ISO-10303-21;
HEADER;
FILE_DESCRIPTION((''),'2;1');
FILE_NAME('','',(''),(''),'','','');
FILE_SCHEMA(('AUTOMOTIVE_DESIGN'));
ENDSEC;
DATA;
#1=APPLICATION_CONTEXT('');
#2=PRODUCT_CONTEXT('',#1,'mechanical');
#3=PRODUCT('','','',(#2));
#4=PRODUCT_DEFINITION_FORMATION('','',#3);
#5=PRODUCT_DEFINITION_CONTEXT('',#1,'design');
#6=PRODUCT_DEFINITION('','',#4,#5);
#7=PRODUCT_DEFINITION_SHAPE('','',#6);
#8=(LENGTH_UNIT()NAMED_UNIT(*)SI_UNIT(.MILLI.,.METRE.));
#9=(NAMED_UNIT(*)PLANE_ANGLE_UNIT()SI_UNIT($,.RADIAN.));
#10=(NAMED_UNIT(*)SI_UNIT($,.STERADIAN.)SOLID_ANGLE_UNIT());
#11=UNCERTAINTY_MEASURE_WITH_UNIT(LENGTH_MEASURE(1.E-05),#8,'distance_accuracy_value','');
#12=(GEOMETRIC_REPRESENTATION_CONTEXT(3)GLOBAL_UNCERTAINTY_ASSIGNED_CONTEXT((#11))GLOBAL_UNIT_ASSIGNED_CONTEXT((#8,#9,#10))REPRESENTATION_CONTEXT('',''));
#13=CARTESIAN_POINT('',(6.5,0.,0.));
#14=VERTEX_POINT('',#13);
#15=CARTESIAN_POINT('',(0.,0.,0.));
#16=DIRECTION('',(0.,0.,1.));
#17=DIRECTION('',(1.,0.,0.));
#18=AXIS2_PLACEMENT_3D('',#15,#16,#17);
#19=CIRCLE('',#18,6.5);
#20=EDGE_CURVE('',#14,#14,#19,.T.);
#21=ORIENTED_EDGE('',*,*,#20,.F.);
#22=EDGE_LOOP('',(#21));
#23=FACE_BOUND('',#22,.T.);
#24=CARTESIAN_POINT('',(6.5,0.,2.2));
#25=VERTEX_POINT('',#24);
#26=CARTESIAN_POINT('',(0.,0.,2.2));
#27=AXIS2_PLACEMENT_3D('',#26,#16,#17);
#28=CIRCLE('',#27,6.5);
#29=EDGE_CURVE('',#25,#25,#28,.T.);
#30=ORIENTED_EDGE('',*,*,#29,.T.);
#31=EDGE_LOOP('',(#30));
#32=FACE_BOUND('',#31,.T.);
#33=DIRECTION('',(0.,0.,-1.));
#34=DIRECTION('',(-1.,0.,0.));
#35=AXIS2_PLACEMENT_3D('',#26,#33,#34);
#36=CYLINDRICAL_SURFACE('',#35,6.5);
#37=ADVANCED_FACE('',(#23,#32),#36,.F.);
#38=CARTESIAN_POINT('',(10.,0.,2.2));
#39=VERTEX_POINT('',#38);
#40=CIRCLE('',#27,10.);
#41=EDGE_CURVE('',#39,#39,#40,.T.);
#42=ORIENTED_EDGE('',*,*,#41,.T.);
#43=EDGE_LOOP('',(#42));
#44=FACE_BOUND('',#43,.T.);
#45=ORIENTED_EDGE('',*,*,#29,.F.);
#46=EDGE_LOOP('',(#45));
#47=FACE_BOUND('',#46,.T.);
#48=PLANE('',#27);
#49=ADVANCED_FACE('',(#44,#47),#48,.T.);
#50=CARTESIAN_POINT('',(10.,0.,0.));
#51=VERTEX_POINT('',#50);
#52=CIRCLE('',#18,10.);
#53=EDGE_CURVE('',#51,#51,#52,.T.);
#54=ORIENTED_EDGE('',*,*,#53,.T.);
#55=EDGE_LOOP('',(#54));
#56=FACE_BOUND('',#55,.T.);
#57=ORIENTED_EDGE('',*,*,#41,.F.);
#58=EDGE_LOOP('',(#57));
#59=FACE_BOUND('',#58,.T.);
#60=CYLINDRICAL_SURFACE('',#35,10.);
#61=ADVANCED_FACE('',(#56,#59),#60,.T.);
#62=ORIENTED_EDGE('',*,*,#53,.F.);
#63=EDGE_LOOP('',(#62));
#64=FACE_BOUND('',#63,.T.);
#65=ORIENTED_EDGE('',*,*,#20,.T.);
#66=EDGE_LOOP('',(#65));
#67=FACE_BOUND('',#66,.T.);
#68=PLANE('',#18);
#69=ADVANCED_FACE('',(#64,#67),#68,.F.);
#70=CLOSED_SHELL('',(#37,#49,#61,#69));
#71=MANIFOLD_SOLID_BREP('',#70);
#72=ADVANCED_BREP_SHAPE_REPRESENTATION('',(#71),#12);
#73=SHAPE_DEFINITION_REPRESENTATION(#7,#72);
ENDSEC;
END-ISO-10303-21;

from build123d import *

# Parameters (mm, degrees)
SKIZZE1_R                       = 10
SKIZZE1_R_2                     = 6.5
AUFSATZ_LINEAR_AUSTRAGEN1_DEPTH = 2.2


with BuildPart() as part:
    # Skizze1 → Aufsatz-Linear austragen1 (new body)
    with BuildSketch(Plane.XY):
        Circle(SKIZZE1_R)
        Circle(SKIZZE1_R_2, mode=Mode.SUBTRACT)
    extrude(amount=AUFSATZ_LINEAR_AUSTRAGEN1_DEPTH)


solid = part.part
